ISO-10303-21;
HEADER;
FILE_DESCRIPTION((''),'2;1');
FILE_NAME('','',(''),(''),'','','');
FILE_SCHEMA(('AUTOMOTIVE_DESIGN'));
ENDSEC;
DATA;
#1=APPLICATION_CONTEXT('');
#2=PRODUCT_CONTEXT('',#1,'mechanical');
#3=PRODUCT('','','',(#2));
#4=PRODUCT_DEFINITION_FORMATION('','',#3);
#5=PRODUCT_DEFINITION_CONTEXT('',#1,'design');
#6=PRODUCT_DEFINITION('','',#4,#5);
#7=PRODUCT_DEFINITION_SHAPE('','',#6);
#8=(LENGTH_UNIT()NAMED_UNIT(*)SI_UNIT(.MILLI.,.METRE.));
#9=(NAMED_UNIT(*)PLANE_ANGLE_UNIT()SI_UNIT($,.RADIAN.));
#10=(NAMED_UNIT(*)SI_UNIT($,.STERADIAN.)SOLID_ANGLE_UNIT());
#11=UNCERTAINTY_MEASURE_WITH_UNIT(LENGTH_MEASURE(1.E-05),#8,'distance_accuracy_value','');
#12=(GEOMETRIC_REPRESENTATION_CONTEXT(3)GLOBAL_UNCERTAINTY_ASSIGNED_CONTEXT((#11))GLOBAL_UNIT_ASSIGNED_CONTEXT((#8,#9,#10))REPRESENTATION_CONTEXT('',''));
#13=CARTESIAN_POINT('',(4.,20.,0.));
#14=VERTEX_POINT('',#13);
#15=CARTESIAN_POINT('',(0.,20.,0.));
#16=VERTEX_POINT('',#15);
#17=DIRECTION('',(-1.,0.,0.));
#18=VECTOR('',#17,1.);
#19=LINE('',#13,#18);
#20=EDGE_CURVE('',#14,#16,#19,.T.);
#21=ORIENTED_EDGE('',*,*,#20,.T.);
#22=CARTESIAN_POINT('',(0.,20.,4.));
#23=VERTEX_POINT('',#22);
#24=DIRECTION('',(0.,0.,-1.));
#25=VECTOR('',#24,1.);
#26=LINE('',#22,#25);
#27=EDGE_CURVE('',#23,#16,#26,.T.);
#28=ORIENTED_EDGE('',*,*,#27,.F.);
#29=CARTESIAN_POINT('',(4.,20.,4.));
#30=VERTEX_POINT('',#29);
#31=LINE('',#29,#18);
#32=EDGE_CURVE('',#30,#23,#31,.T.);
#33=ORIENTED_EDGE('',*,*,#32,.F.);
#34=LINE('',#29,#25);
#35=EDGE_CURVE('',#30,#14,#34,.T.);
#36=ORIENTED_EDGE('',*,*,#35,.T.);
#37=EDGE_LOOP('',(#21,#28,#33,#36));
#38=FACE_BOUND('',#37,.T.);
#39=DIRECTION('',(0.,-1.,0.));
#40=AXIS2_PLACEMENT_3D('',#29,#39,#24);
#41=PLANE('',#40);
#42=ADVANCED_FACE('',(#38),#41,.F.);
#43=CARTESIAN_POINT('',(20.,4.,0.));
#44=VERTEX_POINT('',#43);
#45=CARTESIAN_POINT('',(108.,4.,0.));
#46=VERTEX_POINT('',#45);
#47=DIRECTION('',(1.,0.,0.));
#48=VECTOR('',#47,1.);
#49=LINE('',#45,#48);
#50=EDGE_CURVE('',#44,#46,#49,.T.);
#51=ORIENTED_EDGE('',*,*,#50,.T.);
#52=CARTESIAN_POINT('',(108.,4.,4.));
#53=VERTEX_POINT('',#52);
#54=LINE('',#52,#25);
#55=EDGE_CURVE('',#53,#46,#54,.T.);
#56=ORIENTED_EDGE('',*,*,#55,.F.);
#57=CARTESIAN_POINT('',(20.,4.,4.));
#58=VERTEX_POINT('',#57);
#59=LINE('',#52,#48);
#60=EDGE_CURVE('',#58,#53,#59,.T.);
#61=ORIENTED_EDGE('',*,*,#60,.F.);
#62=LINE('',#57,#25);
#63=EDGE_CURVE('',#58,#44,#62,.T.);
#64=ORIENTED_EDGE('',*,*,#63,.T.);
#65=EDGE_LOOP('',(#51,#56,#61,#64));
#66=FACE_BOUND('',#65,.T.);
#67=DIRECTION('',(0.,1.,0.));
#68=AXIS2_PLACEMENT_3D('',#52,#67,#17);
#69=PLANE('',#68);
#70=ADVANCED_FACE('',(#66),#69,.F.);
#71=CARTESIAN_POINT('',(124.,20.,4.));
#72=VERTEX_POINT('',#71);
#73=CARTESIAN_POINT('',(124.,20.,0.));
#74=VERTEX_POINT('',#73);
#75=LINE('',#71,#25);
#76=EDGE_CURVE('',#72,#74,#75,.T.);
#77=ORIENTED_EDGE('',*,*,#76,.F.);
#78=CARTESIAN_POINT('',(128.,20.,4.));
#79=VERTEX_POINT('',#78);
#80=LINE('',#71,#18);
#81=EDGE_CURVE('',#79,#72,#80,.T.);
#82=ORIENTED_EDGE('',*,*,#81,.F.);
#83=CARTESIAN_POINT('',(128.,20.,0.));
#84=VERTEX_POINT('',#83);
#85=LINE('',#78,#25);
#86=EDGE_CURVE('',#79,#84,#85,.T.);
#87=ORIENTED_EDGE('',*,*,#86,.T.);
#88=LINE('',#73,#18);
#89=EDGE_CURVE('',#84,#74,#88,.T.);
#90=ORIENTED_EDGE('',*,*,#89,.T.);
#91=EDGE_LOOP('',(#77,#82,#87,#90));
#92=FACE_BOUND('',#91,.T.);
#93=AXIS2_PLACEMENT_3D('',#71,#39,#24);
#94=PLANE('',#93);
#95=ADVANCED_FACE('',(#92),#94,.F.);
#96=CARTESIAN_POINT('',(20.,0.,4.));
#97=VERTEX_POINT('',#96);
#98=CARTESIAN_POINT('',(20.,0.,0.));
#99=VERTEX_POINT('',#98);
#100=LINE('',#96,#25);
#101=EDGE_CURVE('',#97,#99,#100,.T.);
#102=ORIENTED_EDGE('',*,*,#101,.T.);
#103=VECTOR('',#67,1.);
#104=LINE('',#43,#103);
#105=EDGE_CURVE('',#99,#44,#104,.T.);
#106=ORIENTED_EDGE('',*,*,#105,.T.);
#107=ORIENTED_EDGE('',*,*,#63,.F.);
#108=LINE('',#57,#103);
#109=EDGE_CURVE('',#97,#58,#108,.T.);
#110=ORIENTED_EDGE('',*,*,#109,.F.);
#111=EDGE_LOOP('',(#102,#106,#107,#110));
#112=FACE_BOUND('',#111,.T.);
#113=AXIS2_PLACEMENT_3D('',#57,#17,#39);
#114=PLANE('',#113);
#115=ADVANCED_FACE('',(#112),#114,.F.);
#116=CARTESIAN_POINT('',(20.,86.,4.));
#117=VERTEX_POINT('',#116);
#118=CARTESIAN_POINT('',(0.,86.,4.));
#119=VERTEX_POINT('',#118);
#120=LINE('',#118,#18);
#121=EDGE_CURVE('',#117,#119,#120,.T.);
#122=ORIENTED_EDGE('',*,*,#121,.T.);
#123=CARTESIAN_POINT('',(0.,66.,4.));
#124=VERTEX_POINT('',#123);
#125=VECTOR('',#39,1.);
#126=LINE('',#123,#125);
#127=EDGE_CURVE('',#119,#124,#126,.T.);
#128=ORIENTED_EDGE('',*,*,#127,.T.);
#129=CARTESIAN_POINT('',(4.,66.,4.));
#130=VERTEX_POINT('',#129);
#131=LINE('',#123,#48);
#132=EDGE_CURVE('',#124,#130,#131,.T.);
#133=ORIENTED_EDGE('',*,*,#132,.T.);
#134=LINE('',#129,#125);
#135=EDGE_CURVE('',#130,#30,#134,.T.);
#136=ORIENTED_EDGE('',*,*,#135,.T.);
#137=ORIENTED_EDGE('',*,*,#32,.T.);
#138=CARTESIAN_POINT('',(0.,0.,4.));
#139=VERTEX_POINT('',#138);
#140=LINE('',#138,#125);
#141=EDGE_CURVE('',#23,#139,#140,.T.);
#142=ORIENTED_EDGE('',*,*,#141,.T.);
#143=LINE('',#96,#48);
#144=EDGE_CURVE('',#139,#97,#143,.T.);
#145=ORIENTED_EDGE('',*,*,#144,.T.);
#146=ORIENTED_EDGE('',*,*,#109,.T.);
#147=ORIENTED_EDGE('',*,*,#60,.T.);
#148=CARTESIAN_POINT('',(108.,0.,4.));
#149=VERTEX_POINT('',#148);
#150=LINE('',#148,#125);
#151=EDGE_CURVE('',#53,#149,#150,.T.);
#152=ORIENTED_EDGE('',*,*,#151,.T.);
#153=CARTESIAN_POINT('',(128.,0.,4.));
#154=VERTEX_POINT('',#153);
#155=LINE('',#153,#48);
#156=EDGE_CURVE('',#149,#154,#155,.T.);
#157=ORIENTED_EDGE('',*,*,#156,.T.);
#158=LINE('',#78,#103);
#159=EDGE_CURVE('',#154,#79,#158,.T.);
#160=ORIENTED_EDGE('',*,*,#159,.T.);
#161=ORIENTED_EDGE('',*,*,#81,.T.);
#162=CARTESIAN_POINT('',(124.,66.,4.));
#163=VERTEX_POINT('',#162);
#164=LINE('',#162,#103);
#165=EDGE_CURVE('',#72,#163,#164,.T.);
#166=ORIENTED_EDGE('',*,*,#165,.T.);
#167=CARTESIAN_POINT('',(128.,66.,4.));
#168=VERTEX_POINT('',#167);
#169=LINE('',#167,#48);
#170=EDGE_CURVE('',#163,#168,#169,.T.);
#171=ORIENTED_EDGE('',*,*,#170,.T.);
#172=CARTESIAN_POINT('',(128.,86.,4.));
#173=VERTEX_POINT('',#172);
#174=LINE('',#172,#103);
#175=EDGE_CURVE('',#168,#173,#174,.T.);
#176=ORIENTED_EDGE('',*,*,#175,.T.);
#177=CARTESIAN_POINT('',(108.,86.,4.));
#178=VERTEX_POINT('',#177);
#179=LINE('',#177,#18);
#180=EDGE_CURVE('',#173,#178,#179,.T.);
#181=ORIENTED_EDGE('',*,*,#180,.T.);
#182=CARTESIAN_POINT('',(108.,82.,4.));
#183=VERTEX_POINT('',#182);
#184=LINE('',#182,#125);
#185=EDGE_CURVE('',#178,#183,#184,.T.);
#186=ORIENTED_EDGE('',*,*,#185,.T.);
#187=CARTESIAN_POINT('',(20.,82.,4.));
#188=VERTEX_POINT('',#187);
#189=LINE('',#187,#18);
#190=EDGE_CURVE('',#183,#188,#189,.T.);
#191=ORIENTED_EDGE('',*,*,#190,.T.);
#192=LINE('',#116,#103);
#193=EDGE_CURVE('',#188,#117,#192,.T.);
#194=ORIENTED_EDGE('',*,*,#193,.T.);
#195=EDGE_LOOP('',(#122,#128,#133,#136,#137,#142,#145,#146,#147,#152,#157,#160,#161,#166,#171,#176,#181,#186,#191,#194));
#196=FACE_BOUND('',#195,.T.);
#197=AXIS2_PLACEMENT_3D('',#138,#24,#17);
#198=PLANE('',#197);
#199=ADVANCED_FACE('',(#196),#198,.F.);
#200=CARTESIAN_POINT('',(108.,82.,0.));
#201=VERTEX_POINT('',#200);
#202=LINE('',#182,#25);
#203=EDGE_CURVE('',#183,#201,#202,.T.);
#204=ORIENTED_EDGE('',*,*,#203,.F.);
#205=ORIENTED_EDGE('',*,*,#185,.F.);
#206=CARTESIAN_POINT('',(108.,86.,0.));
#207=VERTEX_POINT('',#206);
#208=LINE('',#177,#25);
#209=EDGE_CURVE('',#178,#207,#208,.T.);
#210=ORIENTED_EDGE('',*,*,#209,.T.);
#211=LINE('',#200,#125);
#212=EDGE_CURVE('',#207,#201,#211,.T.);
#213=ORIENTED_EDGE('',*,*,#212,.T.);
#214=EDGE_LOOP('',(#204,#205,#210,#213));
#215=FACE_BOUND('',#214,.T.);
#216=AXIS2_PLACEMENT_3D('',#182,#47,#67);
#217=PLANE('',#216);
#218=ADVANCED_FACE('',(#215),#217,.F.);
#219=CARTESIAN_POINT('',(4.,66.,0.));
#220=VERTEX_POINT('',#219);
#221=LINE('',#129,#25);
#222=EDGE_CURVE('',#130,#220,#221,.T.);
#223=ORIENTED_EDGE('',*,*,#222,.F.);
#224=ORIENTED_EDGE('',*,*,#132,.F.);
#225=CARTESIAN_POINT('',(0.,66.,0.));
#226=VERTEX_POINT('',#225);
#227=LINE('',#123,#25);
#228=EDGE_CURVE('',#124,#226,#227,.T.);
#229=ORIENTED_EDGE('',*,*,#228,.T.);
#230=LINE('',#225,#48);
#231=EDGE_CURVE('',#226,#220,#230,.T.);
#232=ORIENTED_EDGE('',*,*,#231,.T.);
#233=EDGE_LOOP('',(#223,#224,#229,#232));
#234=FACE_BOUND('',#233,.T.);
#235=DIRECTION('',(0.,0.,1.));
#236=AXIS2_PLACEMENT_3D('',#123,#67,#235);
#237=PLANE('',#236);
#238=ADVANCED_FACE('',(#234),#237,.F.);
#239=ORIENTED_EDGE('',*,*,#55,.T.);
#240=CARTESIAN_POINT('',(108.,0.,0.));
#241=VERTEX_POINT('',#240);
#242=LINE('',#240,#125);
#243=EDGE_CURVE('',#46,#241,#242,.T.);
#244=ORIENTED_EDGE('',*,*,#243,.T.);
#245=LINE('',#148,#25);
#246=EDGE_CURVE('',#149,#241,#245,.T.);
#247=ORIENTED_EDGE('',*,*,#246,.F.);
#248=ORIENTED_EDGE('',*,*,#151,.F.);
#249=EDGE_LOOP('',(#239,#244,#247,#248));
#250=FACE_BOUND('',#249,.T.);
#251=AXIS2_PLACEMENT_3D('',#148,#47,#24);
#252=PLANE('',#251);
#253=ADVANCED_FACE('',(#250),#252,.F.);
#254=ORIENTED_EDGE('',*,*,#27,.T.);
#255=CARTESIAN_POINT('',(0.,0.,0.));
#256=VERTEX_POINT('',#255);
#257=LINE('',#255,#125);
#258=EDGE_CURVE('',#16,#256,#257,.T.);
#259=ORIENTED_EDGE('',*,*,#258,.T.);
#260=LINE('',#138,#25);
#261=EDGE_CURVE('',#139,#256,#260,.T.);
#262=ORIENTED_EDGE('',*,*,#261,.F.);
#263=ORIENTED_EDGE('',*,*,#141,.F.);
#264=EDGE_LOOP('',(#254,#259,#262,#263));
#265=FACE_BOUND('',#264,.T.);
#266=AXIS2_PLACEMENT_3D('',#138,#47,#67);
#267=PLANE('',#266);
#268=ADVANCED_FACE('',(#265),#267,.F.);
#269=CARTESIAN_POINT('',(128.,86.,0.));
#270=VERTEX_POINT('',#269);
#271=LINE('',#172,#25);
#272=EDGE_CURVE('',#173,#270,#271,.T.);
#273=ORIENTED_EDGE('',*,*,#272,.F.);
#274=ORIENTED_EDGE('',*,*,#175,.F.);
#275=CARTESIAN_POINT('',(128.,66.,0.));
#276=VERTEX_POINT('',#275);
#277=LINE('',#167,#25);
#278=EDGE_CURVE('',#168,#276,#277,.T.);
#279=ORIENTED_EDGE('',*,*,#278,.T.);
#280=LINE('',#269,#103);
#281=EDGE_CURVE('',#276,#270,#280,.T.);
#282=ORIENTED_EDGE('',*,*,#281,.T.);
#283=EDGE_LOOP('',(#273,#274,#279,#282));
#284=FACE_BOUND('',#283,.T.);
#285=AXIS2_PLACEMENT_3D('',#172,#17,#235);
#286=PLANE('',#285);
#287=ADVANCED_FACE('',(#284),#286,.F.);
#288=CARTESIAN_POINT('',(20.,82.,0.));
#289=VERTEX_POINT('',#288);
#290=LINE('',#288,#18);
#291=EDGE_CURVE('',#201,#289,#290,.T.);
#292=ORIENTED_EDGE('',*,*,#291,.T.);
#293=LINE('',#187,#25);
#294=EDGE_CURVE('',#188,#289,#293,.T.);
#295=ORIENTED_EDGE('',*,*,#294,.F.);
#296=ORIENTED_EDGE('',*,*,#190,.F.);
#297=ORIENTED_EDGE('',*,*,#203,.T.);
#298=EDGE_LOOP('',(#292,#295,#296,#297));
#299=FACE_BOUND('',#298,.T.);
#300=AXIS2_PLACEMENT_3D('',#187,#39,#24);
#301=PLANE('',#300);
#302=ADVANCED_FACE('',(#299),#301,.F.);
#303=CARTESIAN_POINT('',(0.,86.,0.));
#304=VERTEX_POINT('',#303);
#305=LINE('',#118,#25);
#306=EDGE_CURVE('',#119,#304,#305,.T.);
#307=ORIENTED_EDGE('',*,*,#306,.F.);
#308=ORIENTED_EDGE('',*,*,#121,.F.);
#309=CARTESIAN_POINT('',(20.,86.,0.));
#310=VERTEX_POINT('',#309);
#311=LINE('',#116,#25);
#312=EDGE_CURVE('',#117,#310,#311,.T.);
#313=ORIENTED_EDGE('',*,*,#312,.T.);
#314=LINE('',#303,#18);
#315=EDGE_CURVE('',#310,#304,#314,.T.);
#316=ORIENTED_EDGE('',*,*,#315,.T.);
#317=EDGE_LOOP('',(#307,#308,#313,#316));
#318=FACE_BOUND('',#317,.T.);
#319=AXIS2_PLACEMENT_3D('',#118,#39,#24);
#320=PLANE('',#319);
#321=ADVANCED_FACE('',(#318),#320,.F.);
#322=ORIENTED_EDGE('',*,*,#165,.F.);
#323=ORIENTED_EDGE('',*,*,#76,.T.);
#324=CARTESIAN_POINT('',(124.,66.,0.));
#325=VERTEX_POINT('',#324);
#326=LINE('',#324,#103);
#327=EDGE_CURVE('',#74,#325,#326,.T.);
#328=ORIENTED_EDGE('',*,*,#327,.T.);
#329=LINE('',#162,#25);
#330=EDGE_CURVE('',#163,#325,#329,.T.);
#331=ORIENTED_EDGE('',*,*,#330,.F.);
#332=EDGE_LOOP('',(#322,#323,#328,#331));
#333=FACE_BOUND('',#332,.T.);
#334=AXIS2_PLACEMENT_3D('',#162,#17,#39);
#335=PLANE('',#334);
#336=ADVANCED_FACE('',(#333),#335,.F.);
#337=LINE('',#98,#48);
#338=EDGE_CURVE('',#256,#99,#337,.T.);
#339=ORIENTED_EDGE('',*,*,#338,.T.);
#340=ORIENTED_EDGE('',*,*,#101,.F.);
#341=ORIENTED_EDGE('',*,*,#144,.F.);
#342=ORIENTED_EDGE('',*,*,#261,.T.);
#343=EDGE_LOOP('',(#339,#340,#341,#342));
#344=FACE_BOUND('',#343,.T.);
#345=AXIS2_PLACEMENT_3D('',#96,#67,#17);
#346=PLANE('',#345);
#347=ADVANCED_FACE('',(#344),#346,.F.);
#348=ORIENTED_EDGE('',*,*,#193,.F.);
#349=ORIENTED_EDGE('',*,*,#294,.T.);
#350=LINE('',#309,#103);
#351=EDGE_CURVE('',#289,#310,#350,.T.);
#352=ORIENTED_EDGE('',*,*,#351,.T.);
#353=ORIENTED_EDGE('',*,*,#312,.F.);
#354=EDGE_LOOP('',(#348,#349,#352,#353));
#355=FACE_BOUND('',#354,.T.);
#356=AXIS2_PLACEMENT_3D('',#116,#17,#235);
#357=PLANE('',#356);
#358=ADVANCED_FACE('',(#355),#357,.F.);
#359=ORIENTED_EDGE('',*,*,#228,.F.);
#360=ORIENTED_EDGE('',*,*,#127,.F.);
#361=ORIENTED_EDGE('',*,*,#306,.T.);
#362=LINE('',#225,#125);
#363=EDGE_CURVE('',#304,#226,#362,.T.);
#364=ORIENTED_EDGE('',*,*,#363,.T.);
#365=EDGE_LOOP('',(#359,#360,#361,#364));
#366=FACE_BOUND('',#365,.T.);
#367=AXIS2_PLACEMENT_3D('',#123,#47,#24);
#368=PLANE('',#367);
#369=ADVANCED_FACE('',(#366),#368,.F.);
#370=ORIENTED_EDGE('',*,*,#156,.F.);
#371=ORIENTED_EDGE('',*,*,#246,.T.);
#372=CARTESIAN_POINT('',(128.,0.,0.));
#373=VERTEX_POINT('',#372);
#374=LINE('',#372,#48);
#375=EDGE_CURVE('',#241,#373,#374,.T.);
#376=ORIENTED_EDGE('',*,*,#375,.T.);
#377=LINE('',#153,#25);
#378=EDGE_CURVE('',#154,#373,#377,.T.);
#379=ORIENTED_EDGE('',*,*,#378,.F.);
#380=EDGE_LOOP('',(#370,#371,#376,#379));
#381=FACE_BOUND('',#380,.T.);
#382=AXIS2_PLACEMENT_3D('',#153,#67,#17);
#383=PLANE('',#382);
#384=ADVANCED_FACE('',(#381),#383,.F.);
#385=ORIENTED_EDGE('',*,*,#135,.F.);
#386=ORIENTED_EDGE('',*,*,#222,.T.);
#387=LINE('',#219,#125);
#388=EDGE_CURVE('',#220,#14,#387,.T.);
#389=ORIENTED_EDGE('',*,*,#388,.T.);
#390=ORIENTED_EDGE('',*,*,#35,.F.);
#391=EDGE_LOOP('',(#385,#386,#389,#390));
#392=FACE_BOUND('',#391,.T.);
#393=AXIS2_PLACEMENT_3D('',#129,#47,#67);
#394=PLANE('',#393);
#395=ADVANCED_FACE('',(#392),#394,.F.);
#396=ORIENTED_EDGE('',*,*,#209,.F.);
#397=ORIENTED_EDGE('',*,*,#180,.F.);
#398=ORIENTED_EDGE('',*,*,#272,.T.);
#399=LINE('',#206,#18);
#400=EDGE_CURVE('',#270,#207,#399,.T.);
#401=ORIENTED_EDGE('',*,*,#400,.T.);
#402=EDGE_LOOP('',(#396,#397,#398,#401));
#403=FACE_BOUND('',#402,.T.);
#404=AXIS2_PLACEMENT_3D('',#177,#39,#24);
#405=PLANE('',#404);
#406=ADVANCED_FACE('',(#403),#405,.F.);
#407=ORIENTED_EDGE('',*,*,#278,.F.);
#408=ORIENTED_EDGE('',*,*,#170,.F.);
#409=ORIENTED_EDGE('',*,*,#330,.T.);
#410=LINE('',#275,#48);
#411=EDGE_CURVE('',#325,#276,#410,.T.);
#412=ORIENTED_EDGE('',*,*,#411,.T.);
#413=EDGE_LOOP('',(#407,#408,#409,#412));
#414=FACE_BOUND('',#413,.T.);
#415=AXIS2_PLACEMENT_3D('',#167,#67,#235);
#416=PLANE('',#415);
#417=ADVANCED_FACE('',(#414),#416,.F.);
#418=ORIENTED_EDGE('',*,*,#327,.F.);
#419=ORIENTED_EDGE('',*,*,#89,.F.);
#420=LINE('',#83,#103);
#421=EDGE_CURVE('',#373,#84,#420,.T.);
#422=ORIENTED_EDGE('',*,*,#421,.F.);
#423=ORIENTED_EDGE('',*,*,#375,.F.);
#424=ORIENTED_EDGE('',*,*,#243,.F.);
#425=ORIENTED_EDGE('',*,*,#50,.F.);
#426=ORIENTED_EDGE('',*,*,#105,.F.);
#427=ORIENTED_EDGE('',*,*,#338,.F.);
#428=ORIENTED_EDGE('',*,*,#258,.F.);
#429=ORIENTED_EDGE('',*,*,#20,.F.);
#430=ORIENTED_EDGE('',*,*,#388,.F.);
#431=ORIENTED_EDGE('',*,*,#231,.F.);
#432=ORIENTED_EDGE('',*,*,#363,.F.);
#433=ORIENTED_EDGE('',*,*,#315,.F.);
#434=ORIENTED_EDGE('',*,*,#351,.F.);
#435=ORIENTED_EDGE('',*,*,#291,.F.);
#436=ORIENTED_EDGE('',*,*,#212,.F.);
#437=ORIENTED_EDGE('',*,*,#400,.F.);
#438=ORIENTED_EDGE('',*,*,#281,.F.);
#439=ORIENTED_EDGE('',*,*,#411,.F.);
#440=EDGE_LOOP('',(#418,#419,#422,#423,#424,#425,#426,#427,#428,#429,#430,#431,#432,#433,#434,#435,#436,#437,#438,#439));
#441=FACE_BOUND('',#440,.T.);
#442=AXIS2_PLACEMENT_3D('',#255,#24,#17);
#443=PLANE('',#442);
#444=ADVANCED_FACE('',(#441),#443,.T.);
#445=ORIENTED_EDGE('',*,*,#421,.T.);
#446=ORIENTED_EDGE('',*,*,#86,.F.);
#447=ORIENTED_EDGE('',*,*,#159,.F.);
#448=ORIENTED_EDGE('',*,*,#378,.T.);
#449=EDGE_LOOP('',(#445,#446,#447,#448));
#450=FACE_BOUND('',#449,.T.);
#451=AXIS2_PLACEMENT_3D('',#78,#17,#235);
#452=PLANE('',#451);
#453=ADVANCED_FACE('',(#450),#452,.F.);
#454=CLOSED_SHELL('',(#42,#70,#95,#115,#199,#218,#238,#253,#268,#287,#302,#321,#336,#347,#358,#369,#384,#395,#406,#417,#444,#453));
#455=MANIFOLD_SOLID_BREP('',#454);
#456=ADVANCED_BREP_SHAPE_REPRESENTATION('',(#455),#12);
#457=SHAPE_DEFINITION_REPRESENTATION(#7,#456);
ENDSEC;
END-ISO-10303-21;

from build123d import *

# Parameters (mm, degrees)
BOSS_EXTRUDE1_DEPTH = 4


with BuildPart() as part:
    # Sketch1 → Boss-Extrude1 (new body)
    with BuildSketch(Plane.XY):
        Polygon((0, 0), (0, 20), (4, 20), (4, 66), (0, 66), (0, 86), (20, 86), (20, 82), (108, 82), (108, 86), (128, 86), (128, 66), (124, 66), (124, 20), (128, 20), (128, 0), (108, 0), (108, 4), (20, 4), (20, 0), align=None)
    extrude(amount=BOSS_EXTRUDE1_DEPTH)


solid = part.part
